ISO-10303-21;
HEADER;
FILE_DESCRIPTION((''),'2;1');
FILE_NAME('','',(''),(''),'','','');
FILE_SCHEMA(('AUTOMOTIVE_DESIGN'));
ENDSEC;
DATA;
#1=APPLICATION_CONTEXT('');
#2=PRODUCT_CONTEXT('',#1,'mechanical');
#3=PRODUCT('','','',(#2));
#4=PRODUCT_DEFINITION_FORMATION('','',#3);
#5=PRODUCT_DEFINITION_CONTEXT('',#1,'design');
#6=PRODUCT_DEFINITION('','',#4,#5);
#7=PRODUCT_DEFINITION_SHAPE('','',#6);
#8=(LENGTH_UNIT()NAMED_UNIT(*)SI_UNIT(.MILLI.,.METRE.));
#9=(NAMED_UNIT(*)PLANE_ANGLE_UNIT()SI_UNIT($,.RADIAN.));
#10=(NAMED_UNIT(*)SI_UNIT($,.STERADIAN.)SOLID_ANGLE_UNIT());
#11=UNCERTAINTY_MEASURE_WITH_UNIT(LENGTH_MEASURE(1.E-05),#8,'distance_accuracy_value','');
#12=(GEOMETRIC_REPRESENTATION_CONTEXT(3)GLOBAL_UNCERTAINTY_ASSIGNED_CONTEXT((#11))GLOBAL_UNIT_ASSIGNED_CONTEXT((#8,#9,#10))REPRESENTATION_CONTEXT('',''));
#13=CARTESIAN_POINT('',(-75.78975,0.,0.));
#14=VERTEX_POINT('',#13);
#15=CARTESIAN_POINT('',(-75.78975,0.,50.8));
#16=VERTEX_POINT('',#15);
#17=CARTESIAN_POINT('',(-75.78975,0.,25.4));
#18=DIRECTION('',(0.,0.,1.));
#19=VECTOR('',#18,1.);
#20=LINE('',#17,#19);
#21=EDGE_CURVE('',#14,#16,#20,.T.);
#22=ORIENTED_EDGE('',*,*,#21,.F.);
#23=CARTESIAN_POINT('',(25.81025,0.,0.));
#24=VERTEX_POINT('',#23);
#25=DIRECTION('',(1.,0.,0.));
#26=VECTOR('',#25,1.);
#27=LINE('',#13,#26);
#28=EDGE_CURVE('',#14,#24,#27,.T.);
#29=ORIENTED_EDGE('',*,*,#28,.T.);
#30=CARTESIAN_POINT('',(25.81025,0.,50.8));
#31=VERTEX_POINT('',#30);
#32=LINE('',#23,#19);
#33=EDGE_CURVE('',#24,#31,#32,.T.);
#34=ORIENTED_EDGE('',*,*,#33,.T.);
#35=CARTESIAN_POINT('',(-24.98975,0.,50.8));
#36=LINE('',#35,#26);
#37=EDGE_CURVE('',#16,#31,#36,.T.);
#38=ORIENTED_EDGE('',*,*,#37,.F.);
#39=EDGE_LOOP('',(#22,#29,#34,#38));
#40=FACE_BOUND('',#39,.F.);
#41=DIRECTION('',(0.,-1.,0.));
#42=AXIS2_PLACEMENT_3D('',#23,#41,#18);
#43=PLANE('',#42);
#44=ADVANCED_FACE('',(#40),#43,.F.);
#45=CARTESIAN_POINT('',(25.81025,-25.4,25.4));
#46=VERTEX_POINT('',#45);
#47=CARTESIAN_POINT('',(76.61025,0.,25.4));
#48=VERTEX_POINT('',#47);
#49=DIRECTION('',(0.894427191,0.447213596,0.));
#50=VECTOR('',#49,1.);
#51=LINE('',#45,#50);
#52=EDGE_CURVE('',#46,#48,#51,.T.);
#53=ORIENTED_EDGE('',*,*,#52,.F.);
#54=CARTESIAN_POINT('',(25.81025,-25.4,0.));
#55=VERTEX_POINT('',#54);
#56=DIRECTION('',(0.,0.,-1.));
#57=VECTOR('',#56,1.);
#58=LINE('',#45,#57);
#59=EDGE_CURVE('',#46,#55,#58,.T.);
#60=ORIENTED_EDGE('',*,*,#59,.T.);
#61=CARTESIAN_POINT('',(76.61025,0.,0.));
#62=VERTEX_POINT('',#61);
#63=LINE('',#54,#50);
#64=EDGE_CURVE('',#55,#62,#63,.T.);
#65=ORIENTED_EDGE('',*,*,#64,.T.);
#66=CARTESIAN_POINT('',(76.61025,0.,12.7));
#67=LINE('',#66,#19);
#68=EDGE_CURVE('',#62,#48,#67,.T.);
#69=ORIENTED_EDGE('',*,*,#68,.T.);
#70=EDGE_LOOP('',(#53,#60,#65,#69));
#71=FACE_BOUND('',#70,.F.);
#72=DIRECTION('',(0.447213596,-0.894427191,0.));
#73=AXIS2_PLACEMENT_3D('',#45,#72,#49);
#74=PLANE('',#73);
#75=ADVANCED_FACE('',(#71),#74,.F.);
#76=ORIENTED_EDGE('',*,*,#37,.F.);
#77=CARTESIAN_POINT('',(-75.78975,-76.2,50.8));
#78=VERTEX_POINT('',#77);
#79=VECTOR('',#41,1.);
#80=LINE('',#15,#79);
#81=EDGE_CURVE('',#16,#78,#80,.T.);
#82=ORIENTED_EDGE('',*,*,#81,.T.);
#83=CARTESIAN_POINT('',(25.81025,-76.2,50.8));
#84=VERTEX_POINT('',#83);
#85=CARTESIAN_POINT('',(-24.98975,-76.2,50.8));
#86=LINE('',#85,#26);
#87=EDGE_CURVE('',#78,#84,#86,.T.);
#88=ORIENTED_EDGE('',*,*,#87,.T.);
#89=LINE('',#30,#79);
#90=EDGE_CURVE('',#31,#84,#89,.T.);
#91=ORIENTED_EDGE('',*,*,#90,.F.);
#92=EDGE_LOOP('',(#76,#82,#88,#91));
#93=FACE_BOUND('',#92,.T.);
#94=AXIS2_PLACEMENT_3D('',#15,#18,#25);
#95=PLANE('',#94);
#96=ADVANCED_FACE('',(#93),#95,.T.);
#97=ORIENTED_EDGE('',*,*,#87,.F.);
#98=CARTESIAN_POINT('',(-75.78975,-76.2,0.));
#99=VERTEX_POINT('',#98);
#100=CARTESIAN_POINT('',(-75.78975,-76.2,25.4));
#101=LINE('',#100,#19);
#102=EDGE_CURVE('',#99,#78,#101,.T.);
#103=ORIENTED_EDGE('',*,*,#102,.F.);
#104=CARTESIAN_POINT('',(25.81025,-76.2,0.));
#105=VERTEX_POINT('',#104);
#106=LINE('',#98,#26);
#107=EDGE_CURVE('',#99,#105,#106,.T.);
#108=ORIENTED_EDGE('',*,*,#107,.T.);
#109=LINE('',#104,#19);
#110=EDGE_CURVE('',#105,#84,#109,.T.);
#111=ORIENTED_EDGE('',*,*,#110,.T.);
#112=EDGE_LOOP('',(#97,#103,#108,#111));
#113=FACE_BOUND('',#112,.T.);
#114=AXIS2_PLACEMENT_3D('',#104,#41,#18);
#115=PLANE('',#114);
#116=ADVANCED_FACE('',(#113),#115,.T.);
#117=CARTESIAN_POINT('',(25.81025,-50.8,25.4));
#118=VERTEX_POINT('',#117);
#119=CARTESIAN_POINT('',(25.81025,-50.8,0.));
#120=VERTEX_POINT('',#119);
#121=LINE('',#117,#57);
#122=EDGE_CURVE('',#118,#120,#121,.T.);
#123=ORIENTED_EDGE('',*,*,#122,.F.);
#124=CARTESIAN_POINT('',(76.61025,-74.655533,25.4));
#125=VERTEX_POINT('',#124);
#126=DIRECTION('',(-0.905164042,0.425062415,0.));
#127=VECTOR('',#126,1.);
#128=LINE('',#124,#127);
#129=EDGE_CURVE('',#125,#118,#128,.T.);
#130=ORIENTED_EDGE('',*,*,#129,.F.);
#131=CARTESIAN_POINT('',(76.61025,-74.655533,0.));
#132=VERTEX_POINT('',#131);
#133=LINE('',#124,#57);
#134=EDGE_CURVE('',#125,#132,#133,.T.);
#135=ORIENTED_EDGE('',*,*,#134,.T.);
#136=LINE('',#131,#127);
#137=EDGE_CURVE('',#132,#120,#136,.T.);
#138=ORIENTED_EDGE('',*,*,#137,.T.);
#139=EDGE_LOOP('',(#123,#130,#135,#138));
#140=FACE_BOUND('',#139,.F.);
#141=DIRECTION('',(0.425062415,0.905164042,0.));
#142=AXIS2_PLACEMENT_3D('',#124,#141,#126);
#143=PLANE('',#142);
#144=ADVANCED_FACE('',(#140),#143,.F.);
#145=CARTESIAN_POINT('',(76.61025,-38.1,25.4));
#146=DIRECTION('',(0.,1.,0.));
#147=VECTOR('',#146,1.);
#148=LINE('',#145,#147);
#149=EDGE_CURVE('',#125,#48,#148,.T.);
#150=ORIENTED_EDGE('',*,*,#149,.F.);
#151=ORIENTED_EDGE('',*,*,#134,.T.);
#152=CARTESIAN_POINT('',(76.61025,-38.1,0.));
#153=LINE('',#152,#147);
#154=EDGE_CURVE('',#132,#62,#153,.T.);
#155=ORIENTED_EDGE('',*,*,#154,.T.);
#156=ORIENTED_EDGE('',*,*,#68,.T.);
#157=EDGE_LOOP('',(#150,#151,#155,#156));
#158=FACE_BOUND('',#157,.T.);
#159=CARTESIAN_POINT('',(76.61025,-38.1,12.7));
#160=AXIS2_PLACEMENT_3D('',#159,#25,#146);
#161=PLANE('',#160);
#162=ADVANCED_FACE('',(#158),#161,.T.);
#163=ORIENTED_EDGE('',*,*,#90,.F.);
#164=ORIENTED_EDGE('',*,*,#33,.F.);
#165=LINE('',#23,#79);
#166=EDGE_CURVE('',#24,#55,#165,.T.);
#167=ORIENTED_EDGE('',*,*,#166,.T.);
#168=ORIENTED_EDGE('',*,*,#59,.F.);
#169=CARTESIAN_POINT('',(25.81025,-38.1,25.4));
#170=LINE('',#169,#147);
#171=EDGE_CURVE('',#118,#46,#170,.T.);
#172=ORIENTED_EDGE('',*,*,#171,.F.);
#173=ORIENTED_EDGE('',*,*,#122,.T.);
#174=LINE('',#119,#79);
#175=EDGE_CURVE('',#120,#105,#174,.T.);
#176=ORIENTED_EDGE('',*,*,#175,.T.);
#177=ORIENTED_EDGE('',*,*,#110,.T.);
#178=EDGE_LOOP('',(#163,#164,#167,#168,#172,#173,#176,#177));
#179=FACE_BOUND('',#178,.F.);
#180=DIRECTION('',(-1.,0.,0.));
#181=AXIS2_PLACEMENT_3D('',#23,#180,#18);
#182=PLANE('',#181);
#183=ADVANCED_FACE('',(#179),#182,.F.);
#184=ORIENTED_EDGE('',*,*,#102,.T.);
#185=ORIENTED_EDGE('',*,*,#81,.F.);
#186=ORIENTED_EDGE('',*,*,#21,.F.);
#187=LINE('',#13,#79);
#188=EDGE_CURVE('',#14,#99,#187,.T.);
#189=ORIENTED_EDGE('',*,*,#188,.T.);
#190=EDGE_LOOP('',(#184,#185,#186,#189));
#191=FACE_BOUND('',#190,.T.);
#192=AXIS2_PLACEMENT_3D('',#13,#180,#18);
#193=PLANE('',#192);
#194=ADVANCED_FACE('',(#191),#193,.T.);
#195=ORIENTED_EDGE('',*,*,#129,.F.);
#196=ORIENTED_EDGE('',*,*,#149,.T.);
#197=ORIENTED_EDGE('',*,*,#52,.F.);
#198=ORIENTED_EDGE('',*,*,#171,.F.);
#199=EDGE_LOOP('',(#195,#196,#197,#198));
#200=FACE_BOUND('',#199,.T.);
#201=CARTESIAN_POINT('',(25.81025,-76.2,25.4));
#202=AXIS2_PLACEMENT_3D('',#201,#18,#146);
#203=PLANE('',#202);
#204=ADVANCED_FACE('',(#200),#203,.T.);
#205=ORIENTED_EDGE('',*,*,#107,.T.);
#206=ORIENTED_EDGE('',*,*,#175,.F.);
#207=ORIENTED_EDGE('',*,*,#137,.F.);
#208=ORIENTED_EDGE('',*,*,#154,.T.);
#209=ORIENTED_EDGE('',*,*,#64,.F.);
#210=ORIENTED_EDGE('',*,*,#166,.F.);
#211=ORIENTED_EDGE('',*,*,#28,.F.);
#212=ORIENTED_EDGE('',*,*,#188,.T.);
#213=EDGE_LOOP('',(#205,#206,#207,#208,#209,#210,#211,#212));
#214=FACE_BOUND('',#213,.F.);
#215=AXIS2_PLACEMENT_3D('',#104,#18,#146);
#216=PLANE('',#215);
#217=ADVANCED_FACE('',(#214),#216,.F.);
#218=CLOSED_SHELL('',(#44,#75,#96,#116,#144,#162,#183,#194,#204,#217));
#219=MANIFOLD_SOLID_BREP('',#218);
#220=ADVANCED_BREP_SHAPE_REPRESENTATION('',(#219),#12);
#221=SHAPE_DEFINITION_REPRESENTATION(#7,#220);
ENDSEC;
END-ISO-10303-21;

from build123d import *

# Parameters (mm, degrees)
F0_W     = 101.6
F0_H     = 50.8
F1_DEPTH = 76.2
F2_W     = 76.2
F2_H     = 25.4
F3_DEPTH = 50.8
F5_DEPTH = 25.4
F7_DEPTH = 25.4


with BuildPart() as f1:
    # F0 (on Front) → F1 (new body)
    with BuildSketch(Plane.XZ):
        with Locations((-24.98975, 25.4)):
            Rectangle(F0_W, F0_H)
    extrude(amount=F1_DEPTH)

    # F2 (on face) → F3 (join)
    with BuildSketch(Plane.YZ.offset(25.81025)):
        with Locations((-38.1, 12.7)):
            Rectangle(F2_W, F2_H)
    extrude(amount=F3_DEPTH)

    # F4 (on face) → F5 (cut)
    with BuildSketch(Plane.XY.offset(25.4)):
        Polygon((25.81025, -50.8), (25.81025, -76.2), (76.61025, -76.2), (76.61025, -74.655533), align=None)
    extrude(amount=-F5_DEPTH, mode=Mode.SUBTRACT)

    # F6 (on face) → F7 (cut)
    with BuildSketch(Plane.XY.offset(25.4)):
        Polygon((25.81025, 0), (25.81025, -25.4), (76.61025, 0), align=None)
    extrude(amount=-F7_DEPTH, mode=Mode.SUBTRACT)


solid = f1.part
